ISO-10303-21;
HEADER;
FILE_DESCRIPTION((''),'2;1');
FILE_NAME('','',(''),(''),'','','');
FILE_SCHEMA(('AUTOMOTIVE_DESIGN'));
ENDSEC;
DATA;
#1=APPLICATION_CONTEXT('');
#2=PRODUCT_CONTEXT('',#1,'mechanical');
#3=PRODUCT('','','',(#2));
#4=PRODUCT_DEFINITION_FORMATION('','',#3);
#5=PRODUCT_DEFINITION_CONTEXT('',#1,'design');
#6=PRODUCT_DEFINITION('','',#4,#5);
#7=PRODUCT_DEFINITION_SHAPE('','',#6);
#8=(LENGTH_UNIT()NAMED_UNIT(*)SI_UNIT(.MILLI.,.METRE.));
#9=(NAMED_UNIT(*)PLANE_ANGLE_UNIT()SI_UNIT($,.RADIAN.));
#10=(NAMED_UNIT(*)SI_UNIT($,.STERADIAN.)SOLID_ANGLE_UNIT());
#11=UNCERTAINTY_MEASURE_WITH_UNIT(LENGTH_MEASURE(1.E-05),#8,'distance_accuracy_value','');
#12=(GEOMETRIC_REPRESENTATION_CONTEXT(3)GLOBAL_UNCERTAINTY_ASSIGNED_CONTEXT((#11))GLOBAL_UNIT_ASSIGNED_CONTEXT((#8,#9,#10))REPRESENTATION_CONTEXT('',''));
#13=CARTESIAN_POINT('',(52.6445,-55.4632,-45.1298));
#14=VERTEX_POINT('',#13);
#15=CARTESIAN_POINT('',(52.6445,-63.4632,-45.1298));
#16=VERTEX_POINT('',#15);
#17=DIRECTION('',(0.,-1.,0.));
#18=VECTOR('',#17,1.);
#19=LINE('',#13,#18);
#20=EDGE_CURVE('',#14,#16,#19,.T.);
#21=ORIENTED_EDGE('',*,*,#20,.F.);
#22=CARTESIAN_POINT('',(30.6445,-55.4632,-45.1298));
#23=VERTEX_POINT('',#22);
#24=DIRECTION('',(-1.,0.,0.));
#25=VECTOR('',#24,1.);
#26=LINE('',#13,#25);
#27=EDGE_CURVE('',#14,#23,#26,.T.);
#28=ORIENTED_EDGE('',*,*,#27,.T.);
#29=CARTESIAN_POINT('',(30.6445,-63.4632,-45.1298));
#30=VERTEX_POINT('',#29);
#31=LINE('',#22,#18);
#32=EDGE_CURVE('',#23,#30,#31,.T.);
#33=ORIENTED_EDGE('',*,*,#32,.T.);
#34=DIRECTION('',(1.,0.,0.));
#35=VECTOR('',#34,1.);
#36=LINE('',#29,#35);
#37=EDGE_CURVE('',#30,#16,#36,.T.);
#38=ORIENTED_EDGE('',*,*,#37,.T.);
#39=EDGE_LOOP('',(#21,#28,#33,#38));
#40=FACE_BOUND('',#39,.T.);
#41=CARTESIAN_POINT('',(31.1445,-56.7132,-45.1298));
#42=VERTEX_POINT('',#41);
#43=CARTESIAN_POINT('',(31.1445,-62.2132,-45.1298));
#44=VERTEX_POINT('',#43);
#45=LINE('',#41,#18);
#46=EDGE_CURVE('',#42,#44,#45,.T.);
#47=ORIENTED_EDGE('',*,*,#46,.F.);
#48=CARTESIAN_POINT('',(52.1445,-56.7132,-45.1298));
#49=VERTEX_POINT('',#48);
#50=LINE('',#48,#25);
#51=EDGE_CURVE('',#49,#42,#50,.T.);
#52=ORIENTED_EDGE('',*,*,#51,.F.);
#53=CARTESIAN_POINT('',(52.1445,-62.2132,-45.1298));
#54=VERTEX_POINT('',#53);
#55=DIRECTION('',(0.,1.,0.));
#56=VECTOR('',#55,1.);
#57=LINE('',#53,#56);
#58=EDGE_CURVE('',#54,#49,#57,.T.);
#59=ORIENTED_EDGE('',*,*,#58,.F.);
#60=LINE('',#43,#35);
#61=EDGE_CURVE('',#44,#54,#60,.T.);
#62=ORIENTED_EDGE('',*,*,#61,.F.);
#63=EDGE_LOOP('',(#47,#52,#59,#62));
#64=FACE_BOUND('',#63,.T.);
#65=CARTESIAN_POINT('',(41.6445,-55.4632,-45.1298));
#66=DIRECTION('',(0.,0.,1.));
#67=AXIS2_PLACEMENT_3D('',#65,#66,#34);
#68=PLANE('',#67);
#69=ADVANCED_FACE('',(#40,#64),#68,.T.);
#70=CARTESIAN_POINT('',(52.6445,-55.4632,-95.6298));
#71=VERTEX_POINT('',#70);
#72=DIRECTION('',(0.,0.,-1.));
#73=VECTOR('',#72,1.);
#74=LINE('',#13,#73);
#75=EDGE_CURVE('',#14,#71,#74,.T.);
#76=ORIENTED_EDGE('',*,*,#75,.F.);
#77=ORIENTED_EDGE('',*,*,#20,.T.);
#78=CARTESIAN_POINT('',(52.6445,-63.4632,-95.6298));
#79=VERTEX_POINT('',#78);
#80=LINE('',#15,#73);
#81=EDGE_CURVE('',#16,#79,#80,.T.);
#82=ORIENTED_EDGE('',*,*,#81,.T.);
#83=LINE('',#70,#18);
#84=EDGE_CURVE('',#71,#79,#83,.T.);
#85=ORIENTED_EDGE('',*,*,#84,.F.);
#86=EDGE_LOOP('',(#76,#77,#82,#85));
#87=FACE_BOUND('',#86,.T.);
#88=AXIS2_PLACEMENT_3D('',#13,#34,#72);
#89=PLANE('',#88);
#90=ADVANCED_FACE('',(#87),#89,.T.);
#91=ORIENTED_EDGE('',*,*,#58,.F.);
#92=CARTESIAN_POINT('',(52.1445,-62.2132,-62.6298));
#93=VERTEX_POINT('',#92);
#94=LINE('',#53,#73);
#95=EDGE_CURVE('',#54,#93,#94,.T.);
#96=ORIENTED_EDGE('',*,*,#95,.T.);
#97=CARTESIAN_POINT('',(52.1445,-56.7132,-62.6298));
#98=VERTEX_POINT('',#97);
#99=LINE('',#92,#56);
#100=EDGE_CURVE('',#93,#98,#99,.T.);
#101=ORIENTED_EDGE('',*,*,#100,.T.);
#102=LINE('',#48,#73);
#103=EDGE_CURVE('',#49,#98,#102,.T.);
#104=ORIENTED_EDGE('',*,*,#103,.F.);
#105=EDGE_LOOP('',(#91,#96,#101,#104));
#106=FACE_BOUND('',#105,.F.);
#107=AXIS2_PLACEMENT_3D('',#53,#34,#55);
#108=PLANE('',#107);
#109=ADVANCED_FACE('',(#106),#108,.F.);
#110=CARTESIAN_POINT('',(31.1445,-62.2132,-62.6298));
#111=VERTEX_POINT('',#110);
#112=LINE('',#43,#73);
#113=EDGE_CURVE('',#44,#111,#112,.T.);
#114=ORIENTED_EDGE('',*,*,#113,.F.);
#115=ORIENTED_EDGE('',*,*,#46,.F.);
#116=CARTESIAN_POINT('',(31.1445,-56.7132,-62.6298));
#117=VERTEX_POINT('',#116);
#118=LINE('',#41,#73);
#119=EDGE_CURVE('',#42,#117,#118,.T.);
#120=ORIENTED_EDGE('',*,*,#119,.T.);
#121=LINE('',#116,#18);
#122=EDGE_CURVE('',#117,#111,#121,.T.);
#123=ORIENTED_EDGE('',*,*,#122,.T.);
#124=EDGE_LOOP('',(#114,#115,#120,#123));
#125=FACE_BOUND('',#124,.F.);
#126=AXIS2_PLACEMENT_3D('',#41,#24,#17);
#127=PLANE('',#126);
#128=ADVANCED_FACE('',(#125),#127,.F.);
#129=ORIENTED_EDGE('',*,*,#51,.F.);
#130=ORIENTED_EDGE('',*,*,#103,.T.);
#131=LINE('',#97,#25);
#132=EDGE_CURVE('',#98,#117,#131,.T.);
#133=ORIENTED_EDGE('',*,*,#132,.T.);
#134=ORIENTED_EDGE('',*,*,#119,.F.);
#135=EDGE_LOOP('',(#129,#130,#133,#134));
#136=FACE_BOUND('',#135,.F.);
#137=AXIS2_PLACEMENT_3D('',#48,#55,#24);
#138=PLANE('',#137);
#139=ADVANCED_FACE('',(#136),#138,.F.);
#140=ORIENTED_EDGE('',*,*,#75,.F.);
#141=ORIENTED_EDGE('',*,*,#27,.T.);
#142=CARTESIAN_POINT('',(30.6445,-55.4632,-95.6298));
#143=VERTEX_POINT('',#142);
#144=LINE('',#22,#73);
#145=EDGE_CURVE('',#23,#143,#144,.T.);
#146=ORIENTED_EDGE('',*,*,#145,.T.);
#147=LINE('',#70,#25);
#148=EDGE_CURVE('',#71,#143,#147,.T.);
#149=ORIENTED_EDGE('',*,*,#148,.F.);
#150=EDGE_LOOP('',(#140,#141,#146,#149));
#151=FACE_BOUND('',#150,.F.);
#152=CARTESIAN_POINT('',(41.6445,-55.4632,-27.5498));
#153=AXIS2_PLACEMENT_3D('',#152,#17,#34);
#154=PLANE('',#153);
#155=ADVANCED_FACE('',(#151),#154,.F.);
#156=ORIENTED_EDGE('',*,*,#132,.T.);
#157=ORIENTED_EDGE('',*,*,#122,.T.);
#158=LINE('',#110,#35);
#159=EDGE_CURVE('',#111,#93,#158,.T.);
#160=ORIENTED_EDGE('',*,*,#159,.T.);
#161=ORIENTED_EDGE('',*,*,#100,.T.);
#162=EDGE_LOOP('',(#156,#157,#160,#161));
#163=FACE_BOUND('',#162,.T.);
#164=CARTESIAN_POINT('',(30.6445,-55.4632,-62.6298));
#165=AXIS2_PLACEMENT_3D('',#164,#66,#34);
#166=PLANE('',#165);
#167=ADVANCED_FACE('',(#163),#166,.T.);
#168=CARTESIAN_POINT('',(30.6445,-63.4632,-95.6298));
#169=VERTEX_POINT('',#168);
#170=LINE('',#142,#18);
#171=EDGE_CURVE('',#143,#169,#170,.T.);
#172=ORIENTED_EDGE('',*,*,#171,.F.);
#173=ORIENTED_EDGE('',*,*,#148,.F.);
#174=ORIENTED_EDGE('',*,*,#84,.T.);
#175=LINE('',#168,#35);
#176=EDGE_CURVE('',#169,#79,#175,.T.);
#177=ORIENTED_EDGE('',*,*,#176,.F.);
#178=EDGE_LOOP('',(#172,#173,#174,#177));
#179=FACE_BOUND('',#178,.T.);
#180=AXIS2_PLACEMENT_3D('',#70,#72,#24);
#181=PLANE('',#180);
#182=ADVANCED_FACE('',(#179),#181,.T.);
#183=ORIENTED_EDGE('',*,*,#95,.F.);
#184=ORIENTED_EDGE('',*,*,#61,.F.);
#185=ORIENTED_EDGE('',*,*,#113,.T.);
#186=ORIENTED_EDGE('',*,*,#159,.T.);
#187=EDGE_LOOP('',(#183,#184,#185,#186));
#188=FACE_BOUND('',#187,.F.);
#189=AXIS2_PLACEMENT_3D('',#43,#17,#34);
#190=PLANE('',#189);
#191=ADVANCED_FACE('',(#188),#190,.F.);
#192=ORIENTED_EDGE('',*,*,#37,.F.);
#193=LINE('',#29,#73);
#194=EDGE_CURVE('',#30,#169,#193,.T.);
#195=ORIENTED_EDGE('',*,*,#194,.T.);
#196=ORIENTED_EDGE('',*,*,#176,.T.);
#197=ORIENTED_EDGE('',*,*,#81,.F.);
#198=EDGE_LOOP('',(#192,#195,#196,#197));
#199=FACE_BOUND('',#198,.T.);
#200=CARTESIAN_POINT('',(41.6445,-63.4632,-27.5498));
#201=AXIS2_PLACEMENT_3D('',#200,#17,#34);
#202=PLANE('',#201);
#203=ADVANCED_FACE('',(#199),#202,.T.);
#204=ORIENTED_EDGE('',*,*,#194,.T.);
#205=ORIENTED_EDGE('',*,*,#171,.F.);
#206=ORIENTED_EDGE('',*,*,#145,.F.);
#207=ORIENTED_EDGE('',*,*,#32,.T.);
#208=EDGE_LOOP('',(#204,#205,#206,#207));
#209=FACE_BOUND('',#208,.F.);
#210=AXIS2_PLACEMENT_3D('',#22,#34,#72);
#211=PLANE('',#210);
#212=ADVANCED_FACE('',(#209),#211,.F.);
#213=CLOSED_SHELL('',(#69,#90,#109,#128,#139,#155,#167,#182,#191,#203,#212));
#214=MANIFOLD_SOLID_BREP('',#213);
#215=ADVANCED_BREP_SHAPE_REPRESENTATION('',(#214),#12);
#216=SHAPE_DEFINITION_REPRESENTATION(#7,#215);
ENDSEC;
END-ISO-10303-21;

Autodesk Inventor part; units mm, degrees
ref_plane "YZ Plane" through (0, 0, 0) normal (1, 0, 0) x (0, 1, 0)
ref_plane "XZ Plane" through (0, 0, 0) normal (0, 1, 0) x (-1, 0, 0)
ref_plane "XY Plane" through (0, 0, 0) normal (0, 0, 1) x (1, 0, 0)
ref_plane "Arbeitsebene1" through (41.6445, -55.4632, -27.5498) normal (0, -1, 0) x (1, 0, 0)
sketch "Skizze1" plane through (41.6445, -55.4632, -27.5498) normal (0, -1, 0) x (1, 0, 0)
  line L0 (0, -17.58) -> (11, -17.58)
  line L1 (11, -17.58) -> (11, -68.08)
  line L2 (11, -68.08) -> (0, -68.08)
  line L3 (0, -68.08) -> (0, -17.58)
  line L4 (-20.1267, -68.08) -> (20.1267, -68.08) projected
  line L5 (0, 101.8556) -> (0, -98.0191)
  line L6 (0, -17.58) -> (-11, -17.58)
  line L7 (-11, -17.58) -> (-11, -68.08)
  line L8 (-11, -68.08) -> (0, -68.08)
  point P0 (-41.6445, 27.5498)
  dimension "d0" = 11
  dimension "d1" = 50.5
extrude "Extrusion1" add sketch "Skizze1" along normal blind 8
sketch "Skizze2" plane through (30.6445, -55.4632, -45.1298) normal (0, 0, 1) x (1, 0, 0)
  line L0 (22, 0) -> (0, 0) projected
  line L1 (0, 0) -> (0, -8) projected
  line L2 (22, -8) -> (0, -8) projected
  line L3 (22, 0) -> (22, -8) projected
  line L4 (21.5, -1.25) -> (0.5, -1.25)
  line L5 (0.5, -1.25) -> (0.5, -6.75)
  line L6 (0.5, -6.75) -> (21.5, -6.75)
  line L7 (21.5, -6.75) -> (21.5, -1.25)
  line L8 (21.5, -1.25) -> (0.5, -6.75) construction
  line L9 (0.5, -1.25) -> (21.5, -6.75) construction
  point P0 (-30.6445, 55.4632)
  point P1 (11, -4)
  dimension "d4" = 21
  dimension "d5" = 5.5
extrude "Extrusion2" cut sketch "Skizze2" against normal blind 17.5 contours L7 L6 L5 L4
properties part number "Außenhülle"
